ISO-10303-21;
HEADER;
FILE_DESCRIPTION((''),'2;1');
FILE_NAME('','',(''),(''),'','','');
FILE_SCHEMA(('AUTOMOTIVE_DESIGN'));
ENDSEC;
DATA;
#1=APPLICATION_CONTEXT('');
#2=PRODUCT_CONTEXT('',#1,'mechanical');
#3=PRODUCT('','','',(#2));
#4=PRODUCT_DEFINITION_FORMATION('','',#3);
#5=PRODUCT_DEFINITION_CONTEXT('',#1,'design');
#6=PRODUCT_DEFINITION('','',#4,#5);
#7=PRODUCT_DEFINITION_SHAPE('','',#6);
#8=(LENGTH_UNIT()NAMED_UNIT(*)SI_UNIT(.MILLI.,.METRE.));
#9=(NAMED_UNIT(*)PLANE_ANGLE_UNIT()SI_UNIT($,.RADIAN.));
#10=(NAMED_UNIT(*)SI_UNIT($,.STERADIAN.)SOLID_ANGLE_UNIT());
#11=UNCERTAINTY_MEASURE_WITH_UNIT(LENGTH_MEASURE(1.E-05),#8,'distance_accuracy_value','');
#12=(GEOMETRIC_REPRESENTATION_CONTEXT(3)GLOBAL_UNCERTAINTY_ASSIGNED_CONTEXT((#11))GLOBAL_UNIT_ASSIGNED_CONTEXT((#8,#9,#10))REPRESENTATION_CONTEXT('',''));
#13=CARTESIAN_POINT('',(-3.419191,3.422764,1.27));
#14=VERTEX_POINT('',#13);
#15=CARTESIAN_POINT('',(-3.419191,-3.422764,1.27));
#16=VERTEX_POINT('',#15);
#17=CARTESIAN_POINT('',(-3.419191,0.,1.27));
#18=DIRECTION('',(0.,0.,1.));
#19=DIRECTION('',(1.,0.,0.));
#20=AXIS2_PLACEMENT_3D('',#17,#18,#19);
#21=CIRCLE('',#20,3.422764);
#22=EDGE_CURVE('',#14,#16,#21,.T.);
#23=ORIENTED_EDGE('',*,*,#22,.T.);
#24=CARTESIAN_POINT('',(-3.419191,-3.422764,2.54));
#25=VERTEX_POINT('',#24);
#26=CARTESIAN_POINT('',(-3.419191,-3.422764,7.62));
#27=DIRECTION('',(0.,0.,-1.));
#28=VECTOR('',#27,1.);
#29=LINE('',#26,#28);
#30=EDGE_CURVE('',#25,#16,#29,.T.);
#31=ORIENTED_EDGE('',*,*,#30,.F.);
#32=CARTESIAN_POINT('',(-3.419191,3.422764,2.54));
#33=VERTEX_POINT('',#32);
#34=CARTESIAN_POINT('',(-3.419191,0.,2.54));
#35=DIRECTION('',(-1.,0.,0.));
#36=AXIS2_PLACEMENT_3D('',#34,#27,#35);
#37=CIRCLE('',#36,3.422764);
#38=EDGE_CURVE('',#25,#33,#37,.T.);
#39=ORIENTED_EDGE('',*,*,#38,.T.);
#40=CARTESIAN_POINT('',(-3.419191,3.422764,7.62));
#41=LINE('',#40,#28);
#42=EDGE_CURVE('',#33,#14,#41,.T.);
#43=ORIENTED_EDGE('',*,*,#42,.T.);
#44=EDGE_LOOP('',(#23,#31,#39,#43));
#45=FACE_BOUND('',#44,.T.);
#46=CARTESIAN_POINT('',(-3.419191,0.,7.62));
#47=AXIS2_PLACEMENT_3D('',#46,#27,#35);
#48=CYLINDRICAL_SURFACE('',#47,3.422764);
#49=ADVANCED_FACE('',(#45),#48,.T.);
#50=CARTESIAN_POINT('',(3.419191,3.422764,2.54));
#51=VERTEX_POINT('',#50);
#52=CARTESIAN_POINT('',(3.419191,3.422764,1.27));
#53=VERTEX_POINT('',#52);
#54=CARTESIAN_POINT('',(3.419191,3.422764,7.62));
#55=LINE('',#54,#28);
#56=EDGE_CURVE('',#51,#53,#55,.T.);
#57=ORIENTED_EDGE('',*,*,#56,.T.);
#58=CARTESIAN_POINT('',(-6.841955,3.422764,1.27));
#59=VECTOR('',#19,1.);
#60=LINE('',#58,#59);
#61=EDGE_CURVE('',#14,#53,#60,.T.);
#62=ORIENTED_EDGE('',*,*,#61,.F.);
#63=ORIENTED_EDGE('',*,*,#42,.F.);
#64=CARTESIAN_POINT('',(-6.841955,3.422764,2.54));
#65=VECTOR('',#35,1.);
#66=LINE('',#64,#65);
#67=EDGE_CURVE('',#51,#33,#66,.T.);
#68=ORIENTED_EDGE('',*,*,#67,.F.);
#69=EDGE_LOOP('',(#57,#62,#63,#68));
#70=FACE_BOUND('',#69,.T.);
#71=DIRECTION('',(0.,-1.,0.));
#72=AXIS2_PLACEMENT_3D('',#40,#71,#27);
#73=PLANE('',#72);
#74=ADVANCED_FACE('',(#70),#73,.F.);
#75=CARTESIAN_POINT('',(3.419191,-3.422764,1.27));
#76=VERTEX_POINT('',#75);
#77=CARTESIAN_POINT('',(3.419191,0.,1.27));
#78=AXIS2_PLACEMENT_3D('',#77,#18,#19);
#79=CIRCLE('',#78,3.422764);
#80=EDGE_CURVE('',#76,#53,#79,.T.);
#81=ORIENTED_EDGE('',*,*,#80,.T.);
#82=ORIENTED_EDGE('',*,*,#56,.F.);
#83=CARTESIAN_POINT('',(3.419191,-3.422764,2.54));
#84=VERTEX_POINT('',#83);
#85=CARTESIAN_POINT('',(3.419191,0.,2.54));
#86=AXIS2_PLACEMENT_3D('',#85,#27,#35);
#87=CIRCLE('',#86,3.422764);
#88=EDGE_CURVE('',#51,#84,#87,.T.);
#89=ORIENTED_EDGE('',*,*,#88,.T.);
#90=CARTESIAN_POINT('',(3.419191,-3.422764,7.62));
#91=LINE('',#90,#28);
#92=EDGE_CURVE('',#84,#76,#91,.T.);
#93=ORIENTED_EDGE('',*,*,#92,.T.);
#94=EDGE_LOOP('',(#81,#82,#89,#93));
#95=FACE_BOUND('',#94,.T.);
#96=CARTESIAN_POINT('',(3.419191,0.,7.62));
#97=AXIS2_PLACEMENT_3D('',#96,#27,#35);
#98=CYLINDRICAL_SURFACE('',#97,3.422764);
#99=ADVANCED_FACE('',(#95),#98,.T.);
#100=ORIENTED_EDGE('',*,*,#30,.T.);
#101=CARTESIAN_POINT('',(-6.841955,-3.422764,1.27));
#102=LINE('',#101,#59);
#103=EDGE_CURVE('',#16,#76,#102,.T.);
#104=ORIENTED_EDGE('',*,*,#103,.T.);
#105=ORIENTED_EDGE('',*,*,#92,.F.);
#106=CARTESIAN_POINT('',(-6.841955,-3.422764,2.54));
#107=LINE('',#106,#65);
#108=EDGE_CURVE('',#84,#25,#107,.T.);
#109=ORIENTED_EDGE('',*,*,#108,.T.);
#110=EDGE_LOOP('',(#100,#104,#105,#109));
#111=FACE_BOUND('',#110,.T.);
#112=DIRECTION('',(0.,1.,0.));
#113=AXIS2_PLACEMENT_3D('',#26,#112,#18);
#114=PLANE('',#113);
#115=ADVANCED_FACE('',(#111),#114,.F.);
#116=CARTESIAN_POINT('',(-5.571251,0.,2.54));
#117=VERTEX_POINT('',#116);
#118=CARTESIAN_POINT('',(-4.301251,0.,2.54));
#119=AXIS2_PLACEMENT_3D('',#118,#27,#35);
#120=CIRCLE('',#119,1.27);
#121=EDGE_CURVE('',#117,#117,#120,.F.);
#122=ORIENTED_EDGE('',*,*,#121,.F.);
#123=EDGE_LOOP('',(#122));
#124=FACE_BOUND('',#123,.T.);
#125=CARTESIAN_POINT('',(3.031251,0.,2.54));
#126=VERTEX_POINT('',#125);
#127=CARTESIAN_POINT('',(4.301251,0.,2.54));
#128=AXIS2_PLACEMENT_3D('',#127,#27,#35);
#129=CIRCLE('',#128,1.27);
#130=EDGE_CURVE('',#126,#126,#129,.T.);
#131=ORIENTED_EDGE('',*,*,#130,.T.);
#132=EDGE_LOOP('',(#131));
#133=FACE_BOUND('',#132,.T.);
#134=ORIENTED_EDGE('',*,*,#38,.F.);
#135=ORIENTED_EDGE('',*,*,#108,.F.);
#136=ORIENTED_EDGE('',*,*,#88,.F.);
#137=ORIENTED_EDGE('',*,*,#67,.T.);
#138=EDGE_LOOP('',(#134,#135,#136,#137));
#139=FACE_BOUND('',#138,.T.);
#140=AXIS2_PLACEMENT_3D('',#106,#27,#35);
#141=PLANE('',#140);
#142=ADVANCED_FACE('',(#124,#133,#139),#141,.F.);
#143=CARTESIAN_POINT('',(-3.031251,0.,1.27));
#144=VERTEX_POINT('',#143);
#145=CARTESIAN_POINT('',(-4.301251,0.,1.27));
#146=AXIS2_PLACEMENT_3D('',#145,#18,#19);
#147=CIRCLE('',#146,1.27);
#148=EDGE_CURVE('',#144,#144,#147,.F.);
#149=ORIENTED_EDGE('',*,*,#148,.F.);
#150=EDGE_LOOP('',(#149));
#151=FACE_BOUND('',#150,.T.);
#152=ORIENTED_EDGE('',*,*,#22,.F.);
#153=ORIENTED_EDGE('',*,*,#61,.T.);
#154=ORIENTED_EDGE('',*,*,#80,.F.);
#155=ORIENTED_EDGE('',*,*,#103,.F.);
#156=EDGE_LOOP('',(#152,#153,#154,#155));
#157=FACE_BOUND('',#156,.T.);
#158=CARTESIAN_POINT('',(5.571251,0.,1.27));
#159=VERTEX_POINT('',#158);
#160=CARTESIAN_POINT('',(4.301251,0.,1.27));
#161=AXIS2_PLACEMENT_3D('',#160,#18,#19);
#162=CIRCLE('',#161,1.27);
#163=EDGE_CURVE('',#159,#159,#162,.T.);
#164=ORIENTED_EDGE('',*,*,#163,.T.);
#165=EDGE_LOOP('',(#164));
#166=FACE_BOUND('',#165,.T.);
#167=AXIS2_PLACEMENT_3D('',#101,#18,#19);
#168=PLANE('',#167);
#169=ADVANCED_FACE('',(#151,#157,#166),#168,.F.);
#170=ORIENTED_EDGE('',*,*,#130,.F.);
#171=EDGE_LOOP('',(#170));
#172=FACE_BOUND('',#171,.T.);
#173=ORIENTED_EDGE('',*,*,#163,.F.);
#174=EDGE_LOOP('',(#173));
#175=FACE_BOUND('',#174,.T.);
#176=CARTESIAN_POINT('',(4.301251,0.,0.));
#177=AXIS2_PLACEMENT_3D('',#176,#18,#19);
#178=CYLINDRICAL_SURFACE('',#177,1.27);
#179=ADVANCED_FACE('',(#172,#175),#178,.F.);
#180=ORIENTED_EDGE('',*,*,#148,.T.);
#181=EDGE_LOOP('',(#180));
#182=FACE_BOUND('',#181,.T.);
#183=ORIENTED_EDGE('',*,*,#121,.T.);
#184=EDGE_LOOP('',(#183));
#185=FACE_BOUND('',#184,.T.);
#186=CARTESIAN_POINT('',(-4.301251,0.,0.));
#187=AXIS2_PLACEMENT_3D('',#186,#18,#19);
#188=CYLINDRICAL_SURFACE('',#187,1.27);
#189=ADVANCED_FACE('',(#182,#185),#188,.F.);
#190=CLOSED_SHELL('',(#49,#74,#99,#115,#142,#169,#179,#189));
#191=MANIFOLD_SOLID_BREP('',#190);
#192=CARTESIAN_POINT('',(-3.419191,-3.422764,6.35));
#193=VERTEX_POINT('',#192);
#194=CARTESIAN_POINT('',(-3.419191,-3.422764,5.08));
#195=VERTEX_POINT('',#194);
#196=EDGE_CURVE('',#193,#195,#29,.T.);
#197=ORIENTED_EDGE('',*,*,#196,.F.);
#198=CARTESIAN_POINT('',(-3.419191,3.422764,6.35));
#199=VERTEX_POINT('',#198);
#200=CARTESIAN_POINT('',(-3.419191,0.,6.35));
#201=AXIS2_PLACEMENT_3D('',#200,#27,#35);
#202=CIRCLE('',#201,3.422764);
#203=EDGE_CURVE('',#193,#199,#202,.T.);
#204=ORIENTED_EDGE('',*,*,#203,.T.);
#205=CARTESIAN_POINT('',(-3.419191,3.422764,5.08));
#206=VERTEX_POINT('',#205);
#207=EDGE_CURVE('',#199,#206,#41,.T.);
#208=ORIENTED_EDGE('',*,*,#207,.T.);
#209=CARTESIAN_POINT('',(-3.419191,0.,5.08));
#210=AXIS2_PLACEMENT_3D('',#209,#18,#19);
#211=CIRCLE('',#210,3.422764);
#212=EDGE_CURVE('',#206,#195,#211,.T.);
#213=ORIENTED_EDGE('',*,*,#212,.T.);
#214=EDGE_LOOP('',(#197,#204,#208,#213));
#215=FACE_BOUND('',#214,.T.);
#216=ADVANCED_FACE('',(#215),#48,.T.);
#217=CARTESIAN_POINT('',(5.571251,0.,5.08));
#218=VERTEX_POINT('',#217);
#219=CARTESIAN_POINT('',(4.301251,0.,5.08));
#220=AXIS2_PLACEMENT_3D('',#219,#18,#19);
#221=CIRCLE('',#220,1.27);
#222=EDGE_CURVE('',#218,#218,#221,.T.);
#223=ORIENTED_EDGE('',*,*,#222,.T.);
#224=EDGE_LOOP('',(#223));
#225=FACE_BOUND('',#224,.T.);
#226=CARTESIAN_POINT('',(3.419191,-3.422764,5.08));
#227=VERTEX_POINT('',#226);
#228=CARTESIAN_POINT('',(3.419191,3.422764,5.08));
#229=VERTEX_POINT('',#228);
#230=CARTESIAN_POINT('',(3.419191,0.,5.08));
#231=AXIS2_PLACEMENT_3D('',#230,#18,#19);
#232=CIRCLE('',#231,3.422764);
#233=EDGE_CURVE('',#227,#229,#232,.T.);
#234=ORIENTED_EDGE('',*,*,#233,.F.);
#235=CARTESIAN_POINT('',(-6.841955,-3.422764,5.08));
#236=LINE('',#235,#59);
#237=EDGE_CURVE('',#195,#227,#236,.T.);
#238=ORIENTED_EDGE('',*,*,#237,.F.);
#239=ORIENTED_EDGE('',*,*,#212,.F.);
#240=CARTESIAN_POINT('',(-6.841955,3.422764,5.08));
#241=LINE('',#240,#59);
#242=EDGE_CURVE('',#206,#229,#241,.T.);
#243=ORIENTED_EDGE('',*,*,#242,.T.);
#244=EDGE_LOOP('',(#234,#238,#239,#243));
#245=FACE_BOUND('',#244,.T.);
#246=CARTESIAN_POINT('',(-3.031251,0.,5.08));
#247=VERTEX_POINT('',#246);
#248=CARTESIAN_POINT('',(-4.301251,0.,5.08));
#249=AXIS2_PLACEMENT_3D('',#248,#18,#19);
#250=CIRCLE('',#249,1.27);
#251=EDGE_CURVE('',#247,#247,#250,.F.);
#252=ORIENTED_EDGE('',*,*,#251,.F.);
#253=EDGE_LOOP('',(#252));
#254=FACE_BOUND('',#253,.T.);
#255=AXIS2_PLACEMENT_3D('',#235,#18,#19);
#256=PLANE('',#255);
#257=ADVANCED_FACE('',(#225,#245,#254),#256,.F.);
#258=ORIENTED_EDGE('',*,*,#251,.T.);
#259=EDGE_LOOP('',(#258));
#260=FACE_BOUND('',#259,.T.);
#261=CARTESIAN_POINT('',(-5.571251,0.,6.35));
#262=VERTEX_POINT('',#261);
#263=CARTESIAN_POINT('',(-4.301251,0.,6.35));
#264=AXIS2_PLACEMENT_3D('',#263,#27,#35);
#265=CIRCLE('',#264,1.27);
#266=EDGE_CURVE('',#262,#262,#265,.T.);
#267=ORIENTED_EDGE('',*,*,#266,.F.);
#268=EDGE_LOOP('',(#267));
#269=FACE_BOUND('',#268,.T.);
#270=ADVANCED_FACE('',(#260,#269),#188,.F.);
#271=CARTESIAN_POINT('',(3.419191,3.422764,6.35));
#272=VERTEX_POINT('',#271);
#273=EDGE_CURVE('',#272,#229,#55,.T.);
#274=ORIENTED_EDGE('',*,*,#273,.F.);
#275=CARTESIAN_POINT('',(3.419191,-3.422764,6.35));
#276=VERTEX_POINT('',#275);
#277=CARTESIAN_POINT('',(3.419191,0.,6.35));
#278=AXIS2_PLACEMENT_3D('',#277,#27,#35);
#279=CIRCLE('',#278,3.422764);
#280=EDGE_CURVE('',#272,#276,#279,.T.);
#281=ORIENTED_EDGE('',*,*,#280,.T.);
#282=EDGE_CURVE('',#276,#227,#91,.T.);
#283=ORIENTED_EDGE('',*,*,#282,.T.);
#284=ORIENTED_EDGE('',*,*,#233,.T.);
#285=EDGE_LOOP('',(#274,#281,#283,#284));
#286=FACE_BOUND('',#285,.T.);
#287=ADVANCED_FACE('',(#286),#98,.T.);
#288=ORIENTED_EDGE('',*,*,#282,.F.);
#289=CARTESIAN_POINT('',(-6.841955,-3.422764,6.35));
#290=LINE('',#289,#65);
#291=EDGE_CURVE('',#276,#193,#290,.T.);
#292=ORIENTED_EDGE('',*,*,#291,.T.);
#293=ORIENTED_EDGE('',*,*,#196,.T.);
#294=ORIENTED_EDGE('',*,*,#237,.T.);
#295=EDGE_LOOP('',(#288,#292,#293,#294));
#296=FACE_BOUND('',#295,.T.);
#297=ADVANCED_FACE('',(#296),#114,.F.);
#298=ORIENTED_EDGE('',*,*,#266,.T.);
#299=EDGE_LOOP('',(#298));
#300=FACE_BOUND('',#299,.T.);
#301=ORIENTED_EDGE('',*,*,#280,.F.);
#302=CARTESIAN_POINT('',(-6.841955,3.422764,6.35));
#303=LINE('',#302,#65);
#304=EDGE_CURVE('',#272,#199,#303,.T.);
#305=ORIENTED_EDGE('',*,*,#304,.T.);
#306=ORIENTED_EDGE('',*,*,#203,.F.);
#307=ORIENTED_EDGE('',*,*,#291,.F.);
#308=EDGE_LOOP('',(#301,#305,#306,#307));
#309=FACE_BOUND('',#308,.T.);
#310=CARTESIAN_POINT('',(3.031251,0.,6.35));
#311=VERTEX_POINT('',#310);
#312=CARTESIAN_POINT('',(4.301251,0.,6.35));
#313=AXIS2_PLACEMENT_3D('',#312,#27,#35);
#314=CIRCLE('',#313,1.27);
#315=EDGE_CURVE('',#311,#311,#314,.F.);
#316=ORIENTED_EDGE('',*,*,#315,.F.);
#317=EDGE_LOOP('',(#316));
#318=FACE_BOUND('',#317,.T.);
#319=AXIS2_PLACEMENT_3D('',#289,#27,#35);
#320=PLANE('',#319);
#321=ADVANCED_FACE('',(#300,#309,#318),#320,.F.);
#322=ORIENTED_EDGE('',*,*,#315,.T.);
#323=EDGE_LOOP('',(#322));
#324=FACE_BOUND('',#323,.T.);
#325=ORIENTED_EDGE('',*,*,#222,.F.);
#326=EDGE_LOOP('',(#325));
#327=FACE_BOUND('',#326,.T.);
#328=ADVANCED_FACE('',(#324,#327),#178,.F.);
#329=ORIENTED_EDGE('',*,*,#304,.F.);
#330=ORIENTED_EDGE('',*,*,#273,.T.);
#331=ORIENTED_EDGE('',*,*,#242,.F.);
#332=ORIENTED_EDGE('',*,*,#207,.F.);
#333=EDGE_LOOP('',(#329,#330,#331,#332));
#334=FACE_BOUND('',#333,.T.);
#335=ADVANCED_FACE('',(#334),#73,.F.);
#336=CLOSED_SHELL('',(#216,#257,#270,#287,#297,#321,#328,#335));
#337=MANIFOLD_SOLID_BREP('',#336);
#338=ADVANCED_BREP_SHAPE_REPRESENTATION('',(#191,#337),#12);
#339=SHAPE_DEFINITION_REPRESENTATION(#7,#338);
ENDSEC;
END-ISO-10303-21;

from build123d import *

# Parameters (mm, degrees)
BOSS_EXTRUDE1_DEPTH = 7.62
SKETCH5_W           = 13.683909726
SKETCH5_H           = 1.27
CUT_EXTRUDE5_DEPTH  = 13.318197616
SKETCH3_R           = 1.27
CUT_EXTRUDE6_DEPTH  = 11.797780229
SKETCH6_W           = 13.683909726
SKETCH6_H           = 1.27
CUT_EXTRUDE8_DEPTH  = 12.575668123
SKETCH7_W           = 13.683909726
SKETCH7_H           = 2.54
CUT_EXTRUDE9_DEPTH  = 12.575668123


with BuildPart() as part:
    # Sketch1 → Boss-Extrude1 (new body)
    with BuildSketch(Plane.XY):
        with BuildLine():
            Line((-3.419191134, 3.422763728), (3.419191134, 3.422763728))
            ThreePointArc((3.419191134, 3.422763728), (6.841954863, 0), (3.419191134, -3.422763728))
            Line((3.419191134, -3.422763728), (-3.419191134, -3.422763728))
            ThreePointArc((-3.419191134, -3.422763728), (-6.841954863, 0), (-3.419191134, 3.422763728))
        make_face()
    extrude(amount=BOSS_EXTRUDE1_DEPTH)

    # Sketch5 → Cut-Extrude5 (cut, through all)
    with BuildSketch(Plane(origin=(0, 3.422763728, 0), x_dir=(1, 0, 0), z_dir=(0, 1, 0))):
        with Locations((0, -6.985)):
            Rectangle(SKETCH5_W, SKETCH5_H)
    extrude(amount=-CUT_EXTRUDE5_DEPTH, mode=Mode.SUBTRACT)

    # Sketch3 → Cut-Extrude6 (cut, through all)
    with BuildSketch(Plane.XY.offset(7.62)):
        with Locations((-4.301250903, 0)):
            Circle(SKETCH3_R)
    cut_extrude6 = extrude(amount=-CUT_EXTRUDE6_DEPTH, mode=Mode.SUBTRACT)

    # Mirror2: Cut-Extrude6 across plane
    add(cut_extrude6.mirror(Plane(origin=(0, 0, 0), x_dir=(0, 0, 1), z_dir=(1, 0, 0))), mode=Mode.SUBTRACT)

    # Sketch6 → Cut-Extrude8 (cut, through all)
    with BuildSketch(Plane(origin=(0, 3.422763728, 0), x_dir=(1, 0, 0), z_dir=(0, 1, 0))):
        with Locations((0, -0.635)):
            Rectangle(SKETCH6_W, SKETCH6_H)
    extrude(amount=-CUT_EXTRUDE8_DEPTH, mode=Mode.SUBTRACT)

    # Sketch7 → Cut-Extrude9 (cut, through all)
    with BuildSketch(Plane(origin=(0, 3.422763728, 0), x_dir=(1, 0, 0), z_dir=(0, 1, 0))):
        with Locations((0, -3.81)):
            Rectangle(SKETCH7_W, SKETCH7_H)
    extrude(amount=-CUT_EXTRUDE9_DEPTH, mode=Mode.SUBTRACT)


with BuildPart() as cut_extrude9_piece_1:
    # of the separate pieces the step leaves, piece 1, a body of its own (cut_extrude9_pieces)
    add(part.part.solids().sort_by_distance((3.419191134, 3.422763728, 5.08))[0])


with BuildPart() as cut_extrude9_piece_2:
    # of the separate pieces the step leaves, piece 2, a body of its own (cut_extrude9_pieces)
    add(part.part.solids().sort_by_distance((3.419191134, 3.422763728, 1.27))[0])


solid = Compound([cut_extrude9_piece_1.part, cut_extrude9_piece_2.part])
